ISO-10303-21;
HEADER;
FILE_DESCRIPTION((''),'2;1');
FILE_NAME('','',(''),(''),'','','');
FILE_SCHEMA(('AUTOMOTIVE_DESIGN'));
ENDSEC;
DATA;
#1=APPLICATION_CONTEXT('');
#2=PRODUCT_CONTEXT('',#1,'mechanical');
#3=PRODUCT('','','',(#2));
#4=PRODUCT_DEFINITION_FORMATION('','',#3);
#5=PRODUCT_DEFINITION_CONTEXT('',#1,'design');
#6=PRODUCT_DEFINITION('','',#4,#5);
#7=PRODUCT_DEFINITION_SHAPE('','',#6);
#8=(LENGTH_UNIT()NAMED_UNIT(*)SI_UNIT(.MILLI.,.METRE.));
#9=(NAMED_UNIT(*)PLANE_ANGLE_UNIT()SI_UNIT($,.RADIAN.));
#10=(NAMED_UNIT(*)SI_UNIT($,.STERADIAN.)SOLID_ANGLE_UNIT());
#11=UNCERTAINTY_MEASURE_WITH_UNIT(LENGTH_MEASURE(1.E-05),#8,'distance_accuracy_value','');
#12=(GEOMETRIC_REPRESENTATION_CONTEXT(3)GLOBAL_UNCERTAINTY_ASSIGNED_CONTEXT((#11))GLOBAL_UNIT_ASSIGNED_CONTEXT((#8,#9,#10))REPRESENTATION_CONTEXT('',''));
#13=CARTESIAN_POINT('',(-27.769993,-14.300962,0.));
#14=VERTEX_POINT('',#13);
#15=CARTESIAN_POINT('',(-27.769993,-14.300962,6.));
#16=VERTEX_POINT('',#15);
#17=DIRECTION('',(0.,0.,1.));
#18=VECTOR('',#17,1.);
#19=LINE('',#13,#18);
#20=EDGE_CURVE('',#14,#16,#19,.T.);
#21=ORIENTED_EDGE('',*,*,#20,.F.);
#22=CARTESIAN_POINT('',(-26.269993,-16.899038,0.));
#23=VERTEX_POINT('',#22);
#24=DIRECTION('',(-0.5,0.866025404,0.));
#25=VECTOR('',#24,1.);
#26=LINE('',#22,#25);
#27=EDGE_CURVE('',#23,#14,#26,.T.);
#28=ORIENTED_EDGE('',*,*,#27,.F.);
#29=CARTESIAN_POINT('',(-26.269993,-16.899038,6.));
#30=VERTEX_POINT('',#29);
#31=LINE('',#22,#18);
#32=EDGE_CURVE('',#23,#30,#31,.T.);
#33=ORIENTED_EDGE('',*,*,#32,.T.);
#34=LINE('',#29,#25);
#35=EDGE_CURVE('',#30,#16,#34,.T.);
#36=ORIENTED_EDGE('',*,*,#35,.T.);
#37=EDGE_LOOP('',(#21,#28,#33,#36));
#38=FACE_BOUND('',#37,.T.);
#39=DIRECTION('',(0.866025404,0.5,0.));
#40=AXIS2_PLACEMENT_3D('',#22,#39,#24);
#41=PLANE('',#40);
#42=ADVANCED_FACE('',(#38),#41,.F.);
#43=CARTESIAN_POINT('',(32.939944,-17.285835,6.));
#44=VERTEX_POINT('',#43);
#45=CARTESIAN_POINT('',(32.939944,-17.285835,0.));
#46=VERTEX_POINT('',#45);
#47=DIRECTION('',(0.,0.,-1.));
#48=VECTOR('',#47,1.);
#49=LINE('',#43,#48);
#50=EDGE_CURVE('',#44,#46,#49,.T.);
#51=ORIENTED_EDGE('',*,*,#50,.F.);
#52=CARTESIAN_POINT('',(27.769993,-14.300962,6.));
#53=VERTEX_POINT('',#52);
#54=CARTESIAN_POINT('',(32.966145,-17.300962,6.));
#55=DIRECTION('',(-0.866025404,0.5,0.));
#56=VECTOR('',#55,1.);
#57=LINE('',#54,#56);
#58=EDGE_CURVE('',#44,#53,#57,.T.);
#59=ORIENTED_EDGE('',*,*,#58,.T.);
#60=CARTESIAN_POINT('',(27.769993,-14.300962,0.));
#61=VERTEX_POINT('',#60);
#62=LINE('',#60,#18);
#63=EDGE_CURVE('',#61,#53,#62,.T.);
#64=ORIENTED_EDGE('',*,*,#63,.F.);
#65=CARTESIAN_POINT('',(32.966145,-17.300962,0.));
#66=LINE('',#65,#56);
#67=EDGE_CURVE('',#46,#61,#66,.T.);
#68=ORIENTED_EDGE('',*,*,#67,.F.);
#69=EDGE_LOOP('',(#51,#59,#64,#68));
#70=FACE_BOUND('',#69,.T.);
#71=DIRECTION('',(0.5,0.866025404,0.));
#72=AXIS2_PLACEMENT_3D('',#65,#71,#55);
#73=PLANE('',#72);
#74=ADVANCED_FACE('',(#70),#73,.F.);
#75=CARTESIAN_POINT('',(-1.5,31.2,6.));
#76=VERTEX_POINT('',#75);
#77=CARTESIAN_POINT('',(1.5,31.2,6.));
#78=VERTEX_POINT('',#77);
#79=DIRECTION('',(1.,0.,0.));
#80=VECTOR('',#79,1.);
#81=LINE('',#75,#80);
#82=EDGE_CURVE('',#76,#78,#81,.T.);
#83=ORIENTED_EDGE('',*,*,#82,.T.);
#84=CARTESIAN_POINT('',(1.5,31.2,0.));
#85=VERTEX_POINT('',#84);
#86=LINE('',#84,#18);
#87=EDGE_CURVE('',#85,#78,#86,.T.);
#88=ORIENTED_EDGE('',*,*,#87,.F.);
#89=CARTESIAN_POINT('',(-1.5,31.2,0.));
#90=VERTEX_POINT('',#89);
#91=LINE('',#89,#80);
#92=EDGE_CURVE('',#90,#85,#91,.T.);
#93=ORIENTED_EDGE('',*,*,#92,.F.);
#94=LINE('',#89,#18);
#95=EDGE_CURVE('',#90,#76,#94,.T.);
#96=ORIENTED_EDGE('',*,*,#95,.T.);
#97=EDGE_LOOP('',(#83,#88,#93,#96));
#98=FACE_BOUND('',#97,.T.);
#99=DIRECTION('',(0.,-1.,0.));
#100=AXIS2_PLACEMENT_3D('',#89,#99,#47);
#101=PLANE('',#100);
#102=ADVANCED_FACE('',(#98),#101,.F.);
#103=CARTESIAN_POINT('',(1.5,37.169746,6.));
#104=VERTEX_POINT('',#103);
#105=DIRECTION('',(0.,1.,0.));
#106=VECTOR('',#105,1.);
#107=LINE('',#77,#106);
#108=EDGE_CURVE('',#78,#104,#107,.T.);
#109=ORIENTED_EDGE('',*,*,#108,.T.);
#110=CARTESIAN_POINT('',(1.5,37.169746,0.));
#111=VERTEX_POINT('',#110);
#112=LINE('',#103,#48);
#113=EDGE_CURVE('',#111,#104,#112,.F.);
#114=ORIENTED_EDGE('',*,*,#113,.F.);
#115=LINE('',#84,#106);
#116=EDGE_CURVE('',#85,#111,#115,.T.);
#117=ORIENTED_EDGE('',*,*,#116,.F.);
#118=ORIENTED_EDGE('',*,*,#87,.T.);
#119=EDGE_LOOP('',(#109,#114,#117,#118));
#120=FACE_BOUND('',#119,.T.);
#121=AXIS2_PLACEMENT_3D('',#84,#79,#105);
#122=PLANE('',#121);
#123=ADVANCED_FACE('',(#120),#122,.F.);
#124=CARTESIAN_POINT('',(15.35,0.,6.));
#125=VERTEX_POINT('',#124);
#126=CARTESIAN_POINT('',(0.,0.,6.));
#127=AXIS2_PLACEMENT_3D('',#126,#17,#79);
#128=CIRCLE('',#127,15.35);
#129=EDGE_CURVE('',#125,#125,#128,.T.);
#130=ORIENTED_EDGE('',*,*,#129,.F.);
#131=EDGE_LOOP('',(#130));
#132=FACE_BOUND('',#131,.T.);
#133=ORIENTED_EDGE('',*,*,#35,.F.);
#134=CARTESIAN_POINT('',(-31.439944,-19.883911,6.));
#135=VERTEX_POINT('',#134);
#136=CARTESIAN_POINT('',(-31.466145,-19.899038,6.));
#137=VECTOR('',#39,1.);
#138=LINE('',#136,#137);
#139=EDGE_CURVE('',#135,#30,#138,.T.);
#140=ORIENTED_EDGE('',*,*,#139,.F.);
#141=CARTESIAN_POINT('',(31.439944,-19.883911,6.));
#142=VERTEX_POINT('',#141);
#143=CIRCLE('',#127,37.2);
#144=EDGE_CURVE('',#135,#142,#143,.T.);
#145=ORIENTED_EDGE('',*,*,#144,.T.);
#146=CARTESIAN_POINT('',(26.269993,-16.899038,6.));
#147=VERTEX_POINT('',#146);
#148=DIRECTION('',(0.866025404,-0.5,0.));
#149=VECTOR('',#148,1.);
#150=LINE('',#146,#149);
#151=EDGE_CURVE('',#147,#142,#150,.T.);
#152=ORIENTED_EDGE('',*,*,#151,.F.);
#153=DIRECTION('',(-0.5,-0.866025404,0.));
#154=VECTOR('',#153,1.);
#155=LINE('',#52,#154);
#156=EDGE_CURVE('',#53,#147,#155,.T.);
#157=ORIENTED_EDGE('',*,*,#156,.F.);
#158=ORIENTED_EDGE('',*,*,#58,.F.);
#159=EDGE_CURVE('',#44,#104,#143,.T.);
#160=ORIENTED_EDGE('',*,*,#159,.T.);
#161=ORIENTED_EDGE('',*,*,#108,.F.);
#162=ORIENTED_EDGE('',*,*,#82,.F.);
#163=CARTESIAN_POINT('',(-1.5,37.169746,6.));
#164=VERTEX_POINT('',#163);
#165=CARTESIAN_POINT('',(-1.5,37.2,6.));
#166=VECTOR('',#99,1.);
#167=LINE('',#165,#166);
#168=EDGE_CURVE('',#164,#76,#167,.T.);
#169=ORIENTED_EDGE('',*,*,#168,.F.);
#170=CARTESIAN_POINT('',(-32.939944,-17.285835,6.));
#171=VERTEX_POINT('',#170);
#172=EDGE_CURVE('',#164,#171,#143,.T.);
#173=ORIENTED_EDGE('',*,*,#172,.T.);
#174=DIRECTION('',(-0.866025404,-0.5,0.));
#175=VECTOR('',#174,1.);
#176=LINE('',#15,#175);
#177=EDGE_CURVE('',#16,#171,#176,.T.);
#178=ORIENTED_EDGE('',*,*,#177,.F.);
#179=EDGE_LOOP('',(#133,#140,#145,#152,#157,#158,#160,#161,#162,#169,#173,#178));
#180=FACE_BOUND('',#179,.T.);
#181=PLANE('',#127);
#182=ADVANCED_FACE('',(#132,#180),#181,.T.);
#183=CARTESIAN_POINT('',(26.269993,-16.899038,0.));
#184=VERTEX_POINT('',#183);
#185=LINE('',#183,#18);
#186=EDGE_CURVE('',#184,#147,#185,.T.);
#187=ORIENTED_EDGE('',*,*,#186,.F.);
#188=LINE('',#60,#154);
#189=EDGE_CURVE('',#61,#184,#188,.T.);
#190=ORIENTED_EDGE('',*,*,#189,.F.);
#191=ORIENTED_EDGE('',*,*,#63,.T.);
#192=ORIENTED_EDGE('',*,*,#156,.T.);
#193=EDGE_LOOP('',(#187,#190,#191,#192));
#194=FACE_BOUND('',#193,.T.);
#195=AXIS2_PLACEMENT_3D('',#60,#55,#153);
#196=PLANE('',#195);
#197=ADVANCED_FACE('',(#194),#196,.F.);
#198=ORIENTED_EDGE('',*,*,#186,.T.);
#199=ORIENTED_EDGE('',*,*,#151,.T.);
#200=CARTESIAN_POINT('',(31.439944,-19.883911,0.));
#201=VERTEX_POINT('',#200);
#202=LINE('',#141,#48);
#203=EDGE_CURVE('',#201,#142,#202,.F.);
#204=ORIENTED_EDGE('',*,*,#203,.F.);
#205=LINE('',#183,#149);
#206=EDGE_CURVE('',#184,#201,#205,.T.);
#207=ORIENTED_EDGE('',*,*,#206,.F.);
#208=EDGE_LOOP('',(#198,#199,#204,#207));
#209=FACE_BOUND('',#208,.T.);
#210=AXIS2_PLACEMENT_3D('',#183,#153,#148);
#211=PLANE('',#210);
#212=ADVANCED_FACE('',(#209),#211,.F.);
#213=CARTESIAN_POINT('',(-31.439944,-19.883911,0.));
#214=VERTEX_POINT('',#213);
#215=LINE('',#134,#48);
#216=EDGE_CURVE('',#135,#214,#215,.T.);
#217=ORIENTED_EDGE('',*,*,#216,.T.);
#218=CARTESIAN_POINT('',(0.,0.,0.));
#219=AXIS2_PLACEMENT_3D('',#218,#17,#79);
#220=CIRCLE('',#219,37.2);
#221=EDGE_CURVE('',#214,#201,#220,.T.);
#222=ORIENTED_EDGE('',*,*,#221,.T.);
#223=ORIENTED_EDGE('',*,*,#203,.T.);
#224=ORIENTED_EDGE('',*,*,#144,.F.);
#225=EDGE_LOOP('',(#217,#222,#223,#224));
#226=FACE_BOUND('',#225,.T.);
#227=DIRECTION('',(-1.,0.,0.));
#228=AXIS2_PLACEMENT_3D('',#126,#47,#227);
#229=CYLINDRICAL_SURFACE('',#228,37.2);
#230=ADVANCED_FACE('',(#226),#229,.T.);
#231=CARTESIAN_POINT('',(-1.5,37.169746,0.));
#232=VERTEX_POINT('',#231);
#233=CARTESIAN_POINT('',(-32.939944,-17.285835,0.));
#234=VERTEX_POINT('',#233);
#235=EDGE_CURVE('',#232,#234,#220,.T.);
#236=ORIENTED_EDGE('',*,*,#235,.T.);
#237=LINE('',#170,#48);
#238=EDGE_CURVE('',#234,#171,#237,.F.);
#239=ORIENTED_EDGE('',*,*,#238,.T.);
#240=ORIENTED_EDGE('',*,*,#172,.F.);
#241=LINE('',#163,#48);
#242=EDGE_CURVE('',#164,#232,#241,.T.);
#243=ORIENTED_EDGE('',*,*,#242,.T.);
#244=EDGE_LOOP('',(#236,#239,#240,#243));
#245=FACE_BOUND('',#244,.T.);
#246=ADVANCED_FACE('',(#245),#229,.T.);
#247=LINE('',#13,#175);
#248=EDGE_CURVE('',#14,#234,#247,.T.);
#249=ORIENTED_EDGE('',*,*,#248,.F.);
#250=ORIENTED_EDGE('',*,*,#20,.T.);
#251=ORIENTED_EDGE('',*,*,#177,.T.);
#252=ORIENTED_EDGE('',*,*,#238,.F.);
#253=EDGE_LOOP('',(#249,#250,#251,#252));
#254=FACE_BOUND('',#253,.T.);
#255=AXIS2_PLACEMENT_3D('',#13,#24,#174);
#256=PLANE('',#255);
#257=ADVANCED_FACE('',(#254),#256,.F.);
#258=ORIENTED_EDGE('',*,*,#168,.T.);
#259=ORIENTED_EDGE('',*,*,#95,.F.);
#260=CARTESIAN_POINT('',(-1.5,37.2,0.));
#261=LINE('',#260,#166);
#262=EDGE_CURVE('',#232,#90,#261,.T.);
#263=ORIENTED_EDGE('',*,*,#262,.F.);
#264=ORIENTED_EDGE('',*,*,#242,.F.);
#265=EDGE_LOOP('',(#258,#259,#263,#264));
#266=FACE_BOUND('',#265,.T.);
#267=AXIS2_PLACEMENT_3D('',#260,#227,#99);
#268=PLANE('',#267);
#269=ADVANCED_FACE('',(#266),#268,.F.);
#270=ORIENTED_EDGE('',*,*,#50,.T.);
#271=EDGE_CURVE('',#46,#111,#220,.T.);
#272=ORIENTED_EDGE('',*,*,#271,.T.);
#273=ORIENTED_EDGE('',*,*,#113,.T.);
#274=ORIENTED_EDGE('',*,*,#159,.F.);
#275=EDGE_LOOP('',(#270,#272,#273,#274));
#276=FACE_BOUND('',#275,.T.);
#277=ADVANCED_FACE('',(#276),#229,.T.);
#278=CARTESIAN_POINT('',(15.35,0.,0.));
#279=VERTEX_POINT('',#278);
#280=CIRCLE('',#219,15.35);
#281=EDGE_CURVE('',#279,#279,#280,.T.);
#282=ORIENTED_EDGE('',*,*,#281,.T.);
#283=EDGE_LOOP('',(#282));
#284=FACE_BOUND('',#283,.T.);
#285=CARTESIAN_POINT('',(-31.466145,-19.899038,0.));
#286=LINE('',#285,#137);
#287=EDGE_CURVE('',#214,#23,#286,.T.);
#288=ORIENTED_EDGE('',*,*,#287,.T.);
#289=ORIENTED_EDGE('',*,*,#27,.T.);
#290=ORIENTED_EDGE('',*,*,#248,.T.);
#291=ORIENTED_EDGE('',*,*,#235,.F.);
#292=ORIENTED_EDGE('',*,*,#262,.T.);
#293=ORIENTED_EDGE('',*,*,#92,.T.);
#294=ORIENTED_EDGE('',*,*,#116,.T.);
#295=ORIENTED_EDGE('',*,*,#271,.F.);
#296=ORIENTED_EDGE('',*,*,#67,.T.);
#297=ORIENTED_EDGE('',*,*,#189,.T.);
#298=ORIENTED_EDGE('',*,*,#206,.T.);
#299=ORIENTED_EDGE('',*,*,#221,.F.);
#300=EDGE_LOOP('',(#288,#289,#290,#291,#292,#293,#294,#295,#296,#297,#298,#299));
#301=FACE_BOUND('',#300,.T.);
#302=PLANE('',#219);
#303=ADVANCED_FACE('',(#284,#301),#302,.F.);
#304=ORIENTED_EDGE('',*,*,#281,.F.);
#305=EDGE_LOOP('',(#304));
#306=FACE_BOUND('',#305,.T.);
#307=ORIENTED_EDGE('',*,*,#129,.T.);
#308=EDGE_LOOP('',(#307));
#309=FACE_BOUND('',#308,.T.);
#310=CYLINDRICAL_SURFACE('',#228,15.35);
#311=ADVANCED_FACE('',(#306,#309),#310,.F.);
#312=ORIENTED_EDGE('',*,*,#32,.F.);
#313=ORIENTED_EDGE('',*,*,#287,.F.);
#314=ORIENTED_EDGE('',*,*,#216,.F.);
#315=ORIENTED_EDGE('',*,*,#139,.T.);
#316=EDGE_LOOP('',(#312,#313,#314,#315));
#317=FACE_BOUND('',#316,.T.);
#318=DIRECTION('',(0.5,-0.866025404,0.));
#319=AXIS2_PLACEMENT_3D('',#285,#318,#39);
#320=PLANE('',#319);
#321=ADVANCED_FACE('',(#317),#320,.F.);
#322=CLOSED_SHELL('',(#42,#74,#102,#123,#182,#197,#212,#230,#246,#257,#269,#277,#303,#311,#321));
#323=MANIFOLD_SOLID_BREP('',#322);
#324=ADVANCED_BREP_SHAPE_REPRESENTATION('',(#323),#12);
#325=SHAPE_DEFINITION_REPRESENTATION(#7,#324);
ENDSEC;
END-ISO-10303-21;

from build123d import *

# Parameters (mm, degrees)
SKETCH2_R           = 37.2
SKETCH2_R_2         = 15.35
BOSS_EXTRUDE1_DEPTH = 6
SKETCH3_W           = 3
SKETCH3_H           = 6
CUT_EXTRUDE1_DEPTH  = 6


with BuildPart() as part:
    # Sketch2 → Boss-Extrude1 (new body)
    with BuildSketch(Plane.XY):
        Circle(SKETCH2_R)
        Circle(SKETCH2_R_2, mode=Mode.SUBTRACT)
    extrude(amount=BOSS_EXTRUDE1_DEPTH)

    # Sketch3 → Cut-Extrude1 (cut)
    with BuildSketch(Plane.XY.offset(6)):
        with Locations((0, 34.2)):
            Rectangle(SKETCH3_W, SKETCH3_H)
        Polygon((26.269992598, -16.899038106), (31.466145021, -19.899038106), (32.966145021, -17.300961894), (27.769992598, -14.300961894), align=None)
        Polygon((-27.769992598, -14.300961894), (-32.966145021, -17.300961894), (-31.466145021, -19.899038106), (-26.269992598, -16.899038106), align=None)
    extrude(amount=-CUT_EXTRUDE1_DEPTH, mode=Mode.SUBTRACT)


solid = part.part
